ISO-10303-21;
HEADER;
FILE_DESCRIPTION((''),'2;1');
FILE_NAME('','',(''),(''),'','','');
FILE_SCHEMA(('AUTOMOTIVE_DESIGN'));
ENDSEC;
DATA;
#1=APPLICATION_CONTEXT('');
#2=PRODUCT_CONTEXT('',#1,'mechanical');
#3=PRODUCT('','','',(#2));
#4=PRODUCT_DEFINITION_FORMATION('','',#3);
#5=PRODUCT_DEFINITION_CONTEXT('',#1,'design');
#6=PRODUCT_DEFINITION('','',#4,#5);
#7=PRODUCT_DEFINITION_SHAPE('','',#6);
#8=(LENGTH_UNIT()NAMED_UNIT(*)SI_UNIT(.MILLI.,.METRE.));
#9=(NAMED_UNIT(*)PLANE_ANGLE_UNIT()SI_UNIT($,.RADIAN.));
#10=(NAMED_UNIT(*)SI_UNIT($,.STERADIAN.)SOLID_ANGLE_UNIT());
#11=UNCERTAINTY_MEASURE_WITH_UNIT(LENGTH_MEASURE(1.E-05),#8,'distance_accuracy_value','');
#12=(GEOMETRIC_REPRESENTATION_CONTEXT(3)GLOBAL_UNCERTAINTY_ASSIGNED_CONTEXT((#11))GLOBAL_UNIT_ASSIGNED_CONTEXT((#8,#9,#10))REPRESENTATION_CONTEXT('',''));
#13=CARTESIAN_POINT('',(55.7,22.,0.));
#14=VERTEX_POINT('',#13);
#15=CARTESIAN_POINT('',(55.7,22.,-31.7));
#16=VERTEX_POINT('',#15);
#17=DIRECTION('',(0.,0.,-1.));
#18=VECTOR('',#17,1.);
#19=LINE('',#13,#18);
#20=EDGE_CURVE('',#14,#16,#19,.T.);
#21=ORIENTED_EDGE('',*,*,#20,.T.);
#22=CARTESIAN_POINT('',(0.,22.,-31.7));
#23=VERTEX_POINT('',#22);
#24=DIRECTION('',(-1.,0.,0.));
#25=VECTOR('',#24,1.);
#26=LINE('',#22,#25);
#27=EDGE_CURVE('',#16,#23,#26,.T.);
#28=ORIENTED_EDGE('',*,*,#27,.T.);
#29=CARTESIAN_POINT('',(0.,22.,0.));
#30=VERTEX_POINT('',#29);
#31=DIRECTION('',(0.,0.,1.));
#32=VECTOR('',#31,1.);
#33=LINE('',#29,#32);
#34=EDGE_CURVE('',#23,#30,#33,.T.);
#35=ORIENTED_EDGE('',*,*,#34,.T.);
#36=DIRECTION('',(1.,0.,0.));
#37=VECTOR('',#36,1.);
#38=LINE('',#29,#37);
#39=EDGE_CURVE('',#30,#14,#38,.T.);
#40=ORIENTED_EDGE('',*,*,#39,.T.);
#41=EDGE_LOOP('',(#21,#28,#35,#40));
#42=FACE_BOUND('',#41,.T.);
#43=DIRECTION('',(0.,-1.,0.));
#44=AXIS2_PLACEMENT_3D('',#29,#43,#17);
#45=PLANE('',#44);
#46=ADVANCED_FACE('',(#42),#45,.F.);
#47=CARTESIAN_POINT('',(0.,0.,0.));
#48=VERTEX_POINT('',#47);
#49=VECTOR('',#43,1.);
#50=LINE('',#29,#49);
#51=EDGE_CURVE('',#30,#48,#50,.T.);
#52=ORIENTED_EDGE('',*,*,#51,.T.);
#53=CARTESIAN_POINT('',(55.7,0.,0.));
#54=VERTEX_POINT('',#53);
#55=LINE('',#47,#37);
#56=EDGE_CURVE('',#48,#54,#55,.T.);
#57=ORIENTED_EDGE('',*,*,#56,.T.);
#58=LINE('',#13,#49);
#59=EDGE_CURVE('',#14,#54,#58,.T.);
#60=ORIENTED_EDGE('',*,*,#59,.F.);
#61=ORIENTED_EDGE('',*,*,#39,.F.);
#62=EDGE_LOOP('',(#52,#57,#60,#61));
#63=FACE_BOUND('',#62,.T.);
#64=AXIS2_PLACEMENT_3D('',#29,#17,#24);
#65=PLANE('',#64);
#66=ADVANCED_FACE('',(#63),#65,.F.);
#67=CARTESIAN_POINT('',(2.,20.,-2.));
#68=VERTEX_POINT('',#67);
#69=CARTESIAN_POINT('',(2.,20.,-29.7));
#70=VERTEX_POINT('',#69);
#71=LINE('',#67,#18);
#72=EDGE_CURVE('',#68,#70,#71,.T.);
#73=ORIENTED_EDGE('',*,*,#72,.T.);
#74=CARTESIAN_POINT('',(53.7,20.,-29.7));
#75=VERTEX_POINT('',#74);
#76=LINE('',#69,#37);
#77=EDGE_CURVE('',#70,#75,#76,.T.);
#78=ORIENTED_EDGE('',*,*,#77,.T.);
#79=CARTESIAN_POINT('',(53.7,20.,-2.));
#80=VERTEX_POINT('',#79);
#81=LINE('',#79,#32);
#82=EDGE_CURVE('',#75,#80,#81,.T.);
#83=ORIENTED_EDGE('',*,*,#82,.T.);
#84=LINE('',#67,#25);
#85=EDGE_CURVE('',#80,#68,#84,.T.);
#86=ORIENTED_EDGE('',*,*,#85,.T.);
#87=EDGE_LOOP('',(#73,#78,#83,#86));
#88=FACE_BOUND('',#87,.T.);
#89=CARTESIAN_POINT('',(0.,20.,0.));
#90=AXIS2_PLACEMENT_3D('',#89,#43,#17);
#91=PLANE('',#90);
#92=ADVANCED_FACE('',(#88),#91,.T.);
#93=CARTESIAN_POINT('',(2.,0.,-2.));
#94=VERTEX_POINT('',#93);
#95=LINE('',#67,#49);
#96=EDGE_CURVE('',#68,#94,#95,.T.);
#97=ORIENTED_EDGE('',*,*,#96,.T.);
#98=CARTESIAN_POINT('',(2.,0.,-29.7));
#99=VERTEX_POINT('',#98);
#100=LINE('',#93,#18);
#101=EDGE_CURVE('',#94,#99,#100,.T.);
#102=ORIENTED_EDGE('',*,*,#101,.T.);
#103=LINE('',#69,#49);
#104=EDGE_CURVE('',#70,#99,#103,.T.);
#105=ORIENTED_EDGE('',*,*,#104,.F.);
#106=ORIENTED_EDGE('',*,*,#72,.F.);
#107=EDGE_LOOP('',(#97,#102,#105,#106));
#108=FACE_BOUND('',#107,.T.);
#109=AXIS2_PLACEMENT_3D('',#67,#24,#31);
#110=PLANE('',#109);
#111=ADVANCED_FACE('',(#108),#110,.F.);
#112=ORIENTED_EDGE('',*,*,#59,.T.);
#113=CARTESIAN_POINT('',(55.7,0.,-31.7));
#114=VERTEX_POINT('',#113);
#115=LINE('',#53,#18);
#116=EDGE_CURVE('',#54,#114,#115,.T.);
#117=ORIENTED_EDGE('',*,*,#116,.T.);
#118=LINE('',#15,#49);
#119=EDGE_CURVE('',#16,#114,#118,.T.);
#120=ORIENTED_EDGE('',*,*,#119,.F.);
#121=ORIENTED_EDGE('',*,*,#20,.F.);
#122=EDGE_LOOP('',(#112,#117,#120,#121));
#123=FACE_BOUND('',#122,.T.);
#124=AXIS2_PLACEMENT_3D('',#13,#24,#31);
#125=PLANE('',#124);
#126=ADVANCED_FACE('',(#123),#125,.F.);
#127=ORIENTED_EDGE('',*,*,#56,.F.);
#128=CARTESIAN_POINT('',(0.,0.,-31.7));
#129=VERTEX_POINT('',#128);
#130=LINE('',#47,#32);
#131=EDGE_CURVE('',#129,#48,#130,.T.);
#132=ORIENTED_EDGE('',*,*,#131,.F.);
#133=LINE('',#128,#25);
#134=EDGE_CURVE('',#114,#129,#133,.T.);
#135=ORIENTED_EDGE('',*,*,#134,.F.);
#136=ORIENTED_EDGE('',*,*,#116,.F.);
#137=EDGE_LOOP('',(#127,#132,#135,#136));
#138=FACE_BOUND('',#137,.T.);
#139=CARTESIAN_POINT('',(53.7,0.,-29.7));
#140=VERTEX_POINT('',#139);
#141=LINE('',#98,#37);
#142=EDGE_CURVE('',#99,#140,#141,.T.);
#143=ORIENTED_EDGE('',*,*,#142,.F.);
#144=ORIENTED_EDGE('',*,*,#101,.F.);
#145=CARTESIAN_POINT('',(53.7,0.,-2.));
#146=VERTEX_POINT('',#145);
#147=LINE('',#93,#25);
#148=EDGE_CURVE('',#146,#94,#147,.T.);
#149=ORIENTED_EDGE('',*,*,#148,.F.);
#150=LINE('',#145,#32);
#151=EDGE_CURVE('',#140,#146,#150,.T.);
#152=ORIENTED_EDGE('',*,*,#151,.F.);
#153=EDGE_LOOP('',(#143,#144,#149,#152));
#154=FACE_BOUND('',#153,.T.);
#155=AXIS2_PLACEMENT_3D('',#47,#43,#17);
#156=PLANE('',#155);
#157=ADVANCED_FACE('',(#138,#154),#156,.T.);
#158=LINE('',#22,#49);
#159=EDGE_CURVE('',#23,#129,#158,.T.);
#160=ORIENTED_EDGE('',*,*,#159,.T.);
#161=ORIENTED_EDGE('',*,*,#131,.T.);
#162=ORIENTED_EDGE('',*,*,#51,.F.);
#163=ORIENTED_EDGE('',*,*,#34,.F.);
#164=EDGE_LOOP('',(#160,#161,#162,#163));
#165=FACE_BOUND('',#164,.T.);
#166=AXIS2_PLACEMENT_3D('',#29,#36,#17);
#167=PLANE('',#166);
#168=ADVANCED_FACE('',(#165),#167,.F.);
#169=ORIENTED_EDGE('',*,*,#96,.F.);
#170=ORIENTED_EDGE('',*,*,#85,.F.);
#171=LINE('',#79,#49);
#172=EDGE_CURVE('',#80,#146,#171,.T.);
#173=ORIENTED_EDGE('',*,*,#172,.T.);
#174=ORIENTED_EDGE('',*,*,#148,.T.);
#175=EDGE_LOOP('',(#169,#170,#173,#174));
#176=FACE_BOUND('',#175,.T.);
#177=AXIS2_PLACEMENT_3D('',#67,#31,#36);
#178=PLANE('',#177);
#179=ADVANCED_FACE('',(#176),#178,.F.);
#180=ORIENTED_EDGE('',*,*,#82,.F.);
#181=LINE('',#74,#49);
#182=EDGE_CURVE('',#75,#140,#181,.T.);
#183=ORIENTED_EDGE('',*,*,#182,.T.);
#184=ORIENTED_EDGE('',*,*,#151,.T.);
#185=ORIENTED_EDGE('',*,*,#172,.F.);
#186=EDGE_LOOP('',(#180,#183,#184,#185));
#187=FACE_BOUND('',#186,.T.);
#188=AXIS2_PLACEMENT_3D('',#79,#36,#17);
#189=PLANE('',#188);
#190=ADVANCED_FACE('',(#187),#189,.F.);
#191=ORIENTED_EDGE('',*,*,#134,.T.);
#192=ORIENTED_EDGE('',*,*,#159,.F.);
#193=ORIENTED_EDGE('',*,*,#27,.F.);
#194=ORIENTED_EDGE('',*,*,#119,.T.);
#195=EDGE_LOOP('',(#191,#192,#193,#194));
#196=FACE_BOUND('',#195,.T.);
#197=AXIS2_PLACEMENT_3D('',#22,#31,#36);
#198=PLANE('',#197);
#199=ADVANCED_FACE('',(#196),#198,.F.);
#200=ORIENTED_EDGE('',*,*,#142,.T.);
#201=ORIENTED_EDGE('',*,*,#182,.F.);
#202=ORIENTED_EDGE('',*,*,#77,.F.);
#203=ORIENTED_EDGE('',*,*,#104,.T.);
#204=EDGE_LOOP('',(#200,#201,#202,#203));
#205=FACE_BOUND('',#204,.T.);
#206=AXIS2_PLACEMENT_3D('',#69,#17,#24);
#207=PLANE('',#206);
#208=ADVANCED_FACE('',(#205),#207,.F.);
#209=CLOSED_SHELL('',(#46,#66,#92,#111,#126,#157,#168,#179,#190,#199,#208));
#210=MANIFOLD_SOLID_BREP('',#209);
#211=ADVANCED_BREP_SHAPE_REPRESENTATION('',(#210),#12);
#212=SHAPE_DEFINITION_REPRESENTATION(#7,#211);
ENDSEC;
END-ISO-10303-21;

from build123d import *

# Parameters (mm, degrees)
SKETCH1_W           = 55.7
SKETCH1_H           = 31.7
BOSS_EXTRUDE1_DEPTH = 22
SKETCH3_W           = 51.7
SKETCH3_H           = 27.7
CUT_EXTRUDE2_DEPTH  = 20


with BuildPart() as part:
    # Sketch1 → Boss-Extrude1 (new body)
    with BuildSketch(Plane(origin=(0, 0, 0), x_dir=(1, 0, 0), z_dir=(0, 1, 0))):
        with Locations((27.85, 15.85)):
            Rectangle(SKETCH1_W, SKETCH1_H)
    extrude(amount=BOSS_EXTRUDE1_DEPTH)

    # Sketch3 → Cut-Extrude2 (cut)
    with BuildSketch(Plane.XZ):
        with Locations((27.85, -15.85)):
            Rectangle(SKETCH3_W, SKETCH3_H)
    extrude(amount=-CUT_EXTRUDE2_DEPTH, mode=Mode.SUBTRACT)


solid = part.part
